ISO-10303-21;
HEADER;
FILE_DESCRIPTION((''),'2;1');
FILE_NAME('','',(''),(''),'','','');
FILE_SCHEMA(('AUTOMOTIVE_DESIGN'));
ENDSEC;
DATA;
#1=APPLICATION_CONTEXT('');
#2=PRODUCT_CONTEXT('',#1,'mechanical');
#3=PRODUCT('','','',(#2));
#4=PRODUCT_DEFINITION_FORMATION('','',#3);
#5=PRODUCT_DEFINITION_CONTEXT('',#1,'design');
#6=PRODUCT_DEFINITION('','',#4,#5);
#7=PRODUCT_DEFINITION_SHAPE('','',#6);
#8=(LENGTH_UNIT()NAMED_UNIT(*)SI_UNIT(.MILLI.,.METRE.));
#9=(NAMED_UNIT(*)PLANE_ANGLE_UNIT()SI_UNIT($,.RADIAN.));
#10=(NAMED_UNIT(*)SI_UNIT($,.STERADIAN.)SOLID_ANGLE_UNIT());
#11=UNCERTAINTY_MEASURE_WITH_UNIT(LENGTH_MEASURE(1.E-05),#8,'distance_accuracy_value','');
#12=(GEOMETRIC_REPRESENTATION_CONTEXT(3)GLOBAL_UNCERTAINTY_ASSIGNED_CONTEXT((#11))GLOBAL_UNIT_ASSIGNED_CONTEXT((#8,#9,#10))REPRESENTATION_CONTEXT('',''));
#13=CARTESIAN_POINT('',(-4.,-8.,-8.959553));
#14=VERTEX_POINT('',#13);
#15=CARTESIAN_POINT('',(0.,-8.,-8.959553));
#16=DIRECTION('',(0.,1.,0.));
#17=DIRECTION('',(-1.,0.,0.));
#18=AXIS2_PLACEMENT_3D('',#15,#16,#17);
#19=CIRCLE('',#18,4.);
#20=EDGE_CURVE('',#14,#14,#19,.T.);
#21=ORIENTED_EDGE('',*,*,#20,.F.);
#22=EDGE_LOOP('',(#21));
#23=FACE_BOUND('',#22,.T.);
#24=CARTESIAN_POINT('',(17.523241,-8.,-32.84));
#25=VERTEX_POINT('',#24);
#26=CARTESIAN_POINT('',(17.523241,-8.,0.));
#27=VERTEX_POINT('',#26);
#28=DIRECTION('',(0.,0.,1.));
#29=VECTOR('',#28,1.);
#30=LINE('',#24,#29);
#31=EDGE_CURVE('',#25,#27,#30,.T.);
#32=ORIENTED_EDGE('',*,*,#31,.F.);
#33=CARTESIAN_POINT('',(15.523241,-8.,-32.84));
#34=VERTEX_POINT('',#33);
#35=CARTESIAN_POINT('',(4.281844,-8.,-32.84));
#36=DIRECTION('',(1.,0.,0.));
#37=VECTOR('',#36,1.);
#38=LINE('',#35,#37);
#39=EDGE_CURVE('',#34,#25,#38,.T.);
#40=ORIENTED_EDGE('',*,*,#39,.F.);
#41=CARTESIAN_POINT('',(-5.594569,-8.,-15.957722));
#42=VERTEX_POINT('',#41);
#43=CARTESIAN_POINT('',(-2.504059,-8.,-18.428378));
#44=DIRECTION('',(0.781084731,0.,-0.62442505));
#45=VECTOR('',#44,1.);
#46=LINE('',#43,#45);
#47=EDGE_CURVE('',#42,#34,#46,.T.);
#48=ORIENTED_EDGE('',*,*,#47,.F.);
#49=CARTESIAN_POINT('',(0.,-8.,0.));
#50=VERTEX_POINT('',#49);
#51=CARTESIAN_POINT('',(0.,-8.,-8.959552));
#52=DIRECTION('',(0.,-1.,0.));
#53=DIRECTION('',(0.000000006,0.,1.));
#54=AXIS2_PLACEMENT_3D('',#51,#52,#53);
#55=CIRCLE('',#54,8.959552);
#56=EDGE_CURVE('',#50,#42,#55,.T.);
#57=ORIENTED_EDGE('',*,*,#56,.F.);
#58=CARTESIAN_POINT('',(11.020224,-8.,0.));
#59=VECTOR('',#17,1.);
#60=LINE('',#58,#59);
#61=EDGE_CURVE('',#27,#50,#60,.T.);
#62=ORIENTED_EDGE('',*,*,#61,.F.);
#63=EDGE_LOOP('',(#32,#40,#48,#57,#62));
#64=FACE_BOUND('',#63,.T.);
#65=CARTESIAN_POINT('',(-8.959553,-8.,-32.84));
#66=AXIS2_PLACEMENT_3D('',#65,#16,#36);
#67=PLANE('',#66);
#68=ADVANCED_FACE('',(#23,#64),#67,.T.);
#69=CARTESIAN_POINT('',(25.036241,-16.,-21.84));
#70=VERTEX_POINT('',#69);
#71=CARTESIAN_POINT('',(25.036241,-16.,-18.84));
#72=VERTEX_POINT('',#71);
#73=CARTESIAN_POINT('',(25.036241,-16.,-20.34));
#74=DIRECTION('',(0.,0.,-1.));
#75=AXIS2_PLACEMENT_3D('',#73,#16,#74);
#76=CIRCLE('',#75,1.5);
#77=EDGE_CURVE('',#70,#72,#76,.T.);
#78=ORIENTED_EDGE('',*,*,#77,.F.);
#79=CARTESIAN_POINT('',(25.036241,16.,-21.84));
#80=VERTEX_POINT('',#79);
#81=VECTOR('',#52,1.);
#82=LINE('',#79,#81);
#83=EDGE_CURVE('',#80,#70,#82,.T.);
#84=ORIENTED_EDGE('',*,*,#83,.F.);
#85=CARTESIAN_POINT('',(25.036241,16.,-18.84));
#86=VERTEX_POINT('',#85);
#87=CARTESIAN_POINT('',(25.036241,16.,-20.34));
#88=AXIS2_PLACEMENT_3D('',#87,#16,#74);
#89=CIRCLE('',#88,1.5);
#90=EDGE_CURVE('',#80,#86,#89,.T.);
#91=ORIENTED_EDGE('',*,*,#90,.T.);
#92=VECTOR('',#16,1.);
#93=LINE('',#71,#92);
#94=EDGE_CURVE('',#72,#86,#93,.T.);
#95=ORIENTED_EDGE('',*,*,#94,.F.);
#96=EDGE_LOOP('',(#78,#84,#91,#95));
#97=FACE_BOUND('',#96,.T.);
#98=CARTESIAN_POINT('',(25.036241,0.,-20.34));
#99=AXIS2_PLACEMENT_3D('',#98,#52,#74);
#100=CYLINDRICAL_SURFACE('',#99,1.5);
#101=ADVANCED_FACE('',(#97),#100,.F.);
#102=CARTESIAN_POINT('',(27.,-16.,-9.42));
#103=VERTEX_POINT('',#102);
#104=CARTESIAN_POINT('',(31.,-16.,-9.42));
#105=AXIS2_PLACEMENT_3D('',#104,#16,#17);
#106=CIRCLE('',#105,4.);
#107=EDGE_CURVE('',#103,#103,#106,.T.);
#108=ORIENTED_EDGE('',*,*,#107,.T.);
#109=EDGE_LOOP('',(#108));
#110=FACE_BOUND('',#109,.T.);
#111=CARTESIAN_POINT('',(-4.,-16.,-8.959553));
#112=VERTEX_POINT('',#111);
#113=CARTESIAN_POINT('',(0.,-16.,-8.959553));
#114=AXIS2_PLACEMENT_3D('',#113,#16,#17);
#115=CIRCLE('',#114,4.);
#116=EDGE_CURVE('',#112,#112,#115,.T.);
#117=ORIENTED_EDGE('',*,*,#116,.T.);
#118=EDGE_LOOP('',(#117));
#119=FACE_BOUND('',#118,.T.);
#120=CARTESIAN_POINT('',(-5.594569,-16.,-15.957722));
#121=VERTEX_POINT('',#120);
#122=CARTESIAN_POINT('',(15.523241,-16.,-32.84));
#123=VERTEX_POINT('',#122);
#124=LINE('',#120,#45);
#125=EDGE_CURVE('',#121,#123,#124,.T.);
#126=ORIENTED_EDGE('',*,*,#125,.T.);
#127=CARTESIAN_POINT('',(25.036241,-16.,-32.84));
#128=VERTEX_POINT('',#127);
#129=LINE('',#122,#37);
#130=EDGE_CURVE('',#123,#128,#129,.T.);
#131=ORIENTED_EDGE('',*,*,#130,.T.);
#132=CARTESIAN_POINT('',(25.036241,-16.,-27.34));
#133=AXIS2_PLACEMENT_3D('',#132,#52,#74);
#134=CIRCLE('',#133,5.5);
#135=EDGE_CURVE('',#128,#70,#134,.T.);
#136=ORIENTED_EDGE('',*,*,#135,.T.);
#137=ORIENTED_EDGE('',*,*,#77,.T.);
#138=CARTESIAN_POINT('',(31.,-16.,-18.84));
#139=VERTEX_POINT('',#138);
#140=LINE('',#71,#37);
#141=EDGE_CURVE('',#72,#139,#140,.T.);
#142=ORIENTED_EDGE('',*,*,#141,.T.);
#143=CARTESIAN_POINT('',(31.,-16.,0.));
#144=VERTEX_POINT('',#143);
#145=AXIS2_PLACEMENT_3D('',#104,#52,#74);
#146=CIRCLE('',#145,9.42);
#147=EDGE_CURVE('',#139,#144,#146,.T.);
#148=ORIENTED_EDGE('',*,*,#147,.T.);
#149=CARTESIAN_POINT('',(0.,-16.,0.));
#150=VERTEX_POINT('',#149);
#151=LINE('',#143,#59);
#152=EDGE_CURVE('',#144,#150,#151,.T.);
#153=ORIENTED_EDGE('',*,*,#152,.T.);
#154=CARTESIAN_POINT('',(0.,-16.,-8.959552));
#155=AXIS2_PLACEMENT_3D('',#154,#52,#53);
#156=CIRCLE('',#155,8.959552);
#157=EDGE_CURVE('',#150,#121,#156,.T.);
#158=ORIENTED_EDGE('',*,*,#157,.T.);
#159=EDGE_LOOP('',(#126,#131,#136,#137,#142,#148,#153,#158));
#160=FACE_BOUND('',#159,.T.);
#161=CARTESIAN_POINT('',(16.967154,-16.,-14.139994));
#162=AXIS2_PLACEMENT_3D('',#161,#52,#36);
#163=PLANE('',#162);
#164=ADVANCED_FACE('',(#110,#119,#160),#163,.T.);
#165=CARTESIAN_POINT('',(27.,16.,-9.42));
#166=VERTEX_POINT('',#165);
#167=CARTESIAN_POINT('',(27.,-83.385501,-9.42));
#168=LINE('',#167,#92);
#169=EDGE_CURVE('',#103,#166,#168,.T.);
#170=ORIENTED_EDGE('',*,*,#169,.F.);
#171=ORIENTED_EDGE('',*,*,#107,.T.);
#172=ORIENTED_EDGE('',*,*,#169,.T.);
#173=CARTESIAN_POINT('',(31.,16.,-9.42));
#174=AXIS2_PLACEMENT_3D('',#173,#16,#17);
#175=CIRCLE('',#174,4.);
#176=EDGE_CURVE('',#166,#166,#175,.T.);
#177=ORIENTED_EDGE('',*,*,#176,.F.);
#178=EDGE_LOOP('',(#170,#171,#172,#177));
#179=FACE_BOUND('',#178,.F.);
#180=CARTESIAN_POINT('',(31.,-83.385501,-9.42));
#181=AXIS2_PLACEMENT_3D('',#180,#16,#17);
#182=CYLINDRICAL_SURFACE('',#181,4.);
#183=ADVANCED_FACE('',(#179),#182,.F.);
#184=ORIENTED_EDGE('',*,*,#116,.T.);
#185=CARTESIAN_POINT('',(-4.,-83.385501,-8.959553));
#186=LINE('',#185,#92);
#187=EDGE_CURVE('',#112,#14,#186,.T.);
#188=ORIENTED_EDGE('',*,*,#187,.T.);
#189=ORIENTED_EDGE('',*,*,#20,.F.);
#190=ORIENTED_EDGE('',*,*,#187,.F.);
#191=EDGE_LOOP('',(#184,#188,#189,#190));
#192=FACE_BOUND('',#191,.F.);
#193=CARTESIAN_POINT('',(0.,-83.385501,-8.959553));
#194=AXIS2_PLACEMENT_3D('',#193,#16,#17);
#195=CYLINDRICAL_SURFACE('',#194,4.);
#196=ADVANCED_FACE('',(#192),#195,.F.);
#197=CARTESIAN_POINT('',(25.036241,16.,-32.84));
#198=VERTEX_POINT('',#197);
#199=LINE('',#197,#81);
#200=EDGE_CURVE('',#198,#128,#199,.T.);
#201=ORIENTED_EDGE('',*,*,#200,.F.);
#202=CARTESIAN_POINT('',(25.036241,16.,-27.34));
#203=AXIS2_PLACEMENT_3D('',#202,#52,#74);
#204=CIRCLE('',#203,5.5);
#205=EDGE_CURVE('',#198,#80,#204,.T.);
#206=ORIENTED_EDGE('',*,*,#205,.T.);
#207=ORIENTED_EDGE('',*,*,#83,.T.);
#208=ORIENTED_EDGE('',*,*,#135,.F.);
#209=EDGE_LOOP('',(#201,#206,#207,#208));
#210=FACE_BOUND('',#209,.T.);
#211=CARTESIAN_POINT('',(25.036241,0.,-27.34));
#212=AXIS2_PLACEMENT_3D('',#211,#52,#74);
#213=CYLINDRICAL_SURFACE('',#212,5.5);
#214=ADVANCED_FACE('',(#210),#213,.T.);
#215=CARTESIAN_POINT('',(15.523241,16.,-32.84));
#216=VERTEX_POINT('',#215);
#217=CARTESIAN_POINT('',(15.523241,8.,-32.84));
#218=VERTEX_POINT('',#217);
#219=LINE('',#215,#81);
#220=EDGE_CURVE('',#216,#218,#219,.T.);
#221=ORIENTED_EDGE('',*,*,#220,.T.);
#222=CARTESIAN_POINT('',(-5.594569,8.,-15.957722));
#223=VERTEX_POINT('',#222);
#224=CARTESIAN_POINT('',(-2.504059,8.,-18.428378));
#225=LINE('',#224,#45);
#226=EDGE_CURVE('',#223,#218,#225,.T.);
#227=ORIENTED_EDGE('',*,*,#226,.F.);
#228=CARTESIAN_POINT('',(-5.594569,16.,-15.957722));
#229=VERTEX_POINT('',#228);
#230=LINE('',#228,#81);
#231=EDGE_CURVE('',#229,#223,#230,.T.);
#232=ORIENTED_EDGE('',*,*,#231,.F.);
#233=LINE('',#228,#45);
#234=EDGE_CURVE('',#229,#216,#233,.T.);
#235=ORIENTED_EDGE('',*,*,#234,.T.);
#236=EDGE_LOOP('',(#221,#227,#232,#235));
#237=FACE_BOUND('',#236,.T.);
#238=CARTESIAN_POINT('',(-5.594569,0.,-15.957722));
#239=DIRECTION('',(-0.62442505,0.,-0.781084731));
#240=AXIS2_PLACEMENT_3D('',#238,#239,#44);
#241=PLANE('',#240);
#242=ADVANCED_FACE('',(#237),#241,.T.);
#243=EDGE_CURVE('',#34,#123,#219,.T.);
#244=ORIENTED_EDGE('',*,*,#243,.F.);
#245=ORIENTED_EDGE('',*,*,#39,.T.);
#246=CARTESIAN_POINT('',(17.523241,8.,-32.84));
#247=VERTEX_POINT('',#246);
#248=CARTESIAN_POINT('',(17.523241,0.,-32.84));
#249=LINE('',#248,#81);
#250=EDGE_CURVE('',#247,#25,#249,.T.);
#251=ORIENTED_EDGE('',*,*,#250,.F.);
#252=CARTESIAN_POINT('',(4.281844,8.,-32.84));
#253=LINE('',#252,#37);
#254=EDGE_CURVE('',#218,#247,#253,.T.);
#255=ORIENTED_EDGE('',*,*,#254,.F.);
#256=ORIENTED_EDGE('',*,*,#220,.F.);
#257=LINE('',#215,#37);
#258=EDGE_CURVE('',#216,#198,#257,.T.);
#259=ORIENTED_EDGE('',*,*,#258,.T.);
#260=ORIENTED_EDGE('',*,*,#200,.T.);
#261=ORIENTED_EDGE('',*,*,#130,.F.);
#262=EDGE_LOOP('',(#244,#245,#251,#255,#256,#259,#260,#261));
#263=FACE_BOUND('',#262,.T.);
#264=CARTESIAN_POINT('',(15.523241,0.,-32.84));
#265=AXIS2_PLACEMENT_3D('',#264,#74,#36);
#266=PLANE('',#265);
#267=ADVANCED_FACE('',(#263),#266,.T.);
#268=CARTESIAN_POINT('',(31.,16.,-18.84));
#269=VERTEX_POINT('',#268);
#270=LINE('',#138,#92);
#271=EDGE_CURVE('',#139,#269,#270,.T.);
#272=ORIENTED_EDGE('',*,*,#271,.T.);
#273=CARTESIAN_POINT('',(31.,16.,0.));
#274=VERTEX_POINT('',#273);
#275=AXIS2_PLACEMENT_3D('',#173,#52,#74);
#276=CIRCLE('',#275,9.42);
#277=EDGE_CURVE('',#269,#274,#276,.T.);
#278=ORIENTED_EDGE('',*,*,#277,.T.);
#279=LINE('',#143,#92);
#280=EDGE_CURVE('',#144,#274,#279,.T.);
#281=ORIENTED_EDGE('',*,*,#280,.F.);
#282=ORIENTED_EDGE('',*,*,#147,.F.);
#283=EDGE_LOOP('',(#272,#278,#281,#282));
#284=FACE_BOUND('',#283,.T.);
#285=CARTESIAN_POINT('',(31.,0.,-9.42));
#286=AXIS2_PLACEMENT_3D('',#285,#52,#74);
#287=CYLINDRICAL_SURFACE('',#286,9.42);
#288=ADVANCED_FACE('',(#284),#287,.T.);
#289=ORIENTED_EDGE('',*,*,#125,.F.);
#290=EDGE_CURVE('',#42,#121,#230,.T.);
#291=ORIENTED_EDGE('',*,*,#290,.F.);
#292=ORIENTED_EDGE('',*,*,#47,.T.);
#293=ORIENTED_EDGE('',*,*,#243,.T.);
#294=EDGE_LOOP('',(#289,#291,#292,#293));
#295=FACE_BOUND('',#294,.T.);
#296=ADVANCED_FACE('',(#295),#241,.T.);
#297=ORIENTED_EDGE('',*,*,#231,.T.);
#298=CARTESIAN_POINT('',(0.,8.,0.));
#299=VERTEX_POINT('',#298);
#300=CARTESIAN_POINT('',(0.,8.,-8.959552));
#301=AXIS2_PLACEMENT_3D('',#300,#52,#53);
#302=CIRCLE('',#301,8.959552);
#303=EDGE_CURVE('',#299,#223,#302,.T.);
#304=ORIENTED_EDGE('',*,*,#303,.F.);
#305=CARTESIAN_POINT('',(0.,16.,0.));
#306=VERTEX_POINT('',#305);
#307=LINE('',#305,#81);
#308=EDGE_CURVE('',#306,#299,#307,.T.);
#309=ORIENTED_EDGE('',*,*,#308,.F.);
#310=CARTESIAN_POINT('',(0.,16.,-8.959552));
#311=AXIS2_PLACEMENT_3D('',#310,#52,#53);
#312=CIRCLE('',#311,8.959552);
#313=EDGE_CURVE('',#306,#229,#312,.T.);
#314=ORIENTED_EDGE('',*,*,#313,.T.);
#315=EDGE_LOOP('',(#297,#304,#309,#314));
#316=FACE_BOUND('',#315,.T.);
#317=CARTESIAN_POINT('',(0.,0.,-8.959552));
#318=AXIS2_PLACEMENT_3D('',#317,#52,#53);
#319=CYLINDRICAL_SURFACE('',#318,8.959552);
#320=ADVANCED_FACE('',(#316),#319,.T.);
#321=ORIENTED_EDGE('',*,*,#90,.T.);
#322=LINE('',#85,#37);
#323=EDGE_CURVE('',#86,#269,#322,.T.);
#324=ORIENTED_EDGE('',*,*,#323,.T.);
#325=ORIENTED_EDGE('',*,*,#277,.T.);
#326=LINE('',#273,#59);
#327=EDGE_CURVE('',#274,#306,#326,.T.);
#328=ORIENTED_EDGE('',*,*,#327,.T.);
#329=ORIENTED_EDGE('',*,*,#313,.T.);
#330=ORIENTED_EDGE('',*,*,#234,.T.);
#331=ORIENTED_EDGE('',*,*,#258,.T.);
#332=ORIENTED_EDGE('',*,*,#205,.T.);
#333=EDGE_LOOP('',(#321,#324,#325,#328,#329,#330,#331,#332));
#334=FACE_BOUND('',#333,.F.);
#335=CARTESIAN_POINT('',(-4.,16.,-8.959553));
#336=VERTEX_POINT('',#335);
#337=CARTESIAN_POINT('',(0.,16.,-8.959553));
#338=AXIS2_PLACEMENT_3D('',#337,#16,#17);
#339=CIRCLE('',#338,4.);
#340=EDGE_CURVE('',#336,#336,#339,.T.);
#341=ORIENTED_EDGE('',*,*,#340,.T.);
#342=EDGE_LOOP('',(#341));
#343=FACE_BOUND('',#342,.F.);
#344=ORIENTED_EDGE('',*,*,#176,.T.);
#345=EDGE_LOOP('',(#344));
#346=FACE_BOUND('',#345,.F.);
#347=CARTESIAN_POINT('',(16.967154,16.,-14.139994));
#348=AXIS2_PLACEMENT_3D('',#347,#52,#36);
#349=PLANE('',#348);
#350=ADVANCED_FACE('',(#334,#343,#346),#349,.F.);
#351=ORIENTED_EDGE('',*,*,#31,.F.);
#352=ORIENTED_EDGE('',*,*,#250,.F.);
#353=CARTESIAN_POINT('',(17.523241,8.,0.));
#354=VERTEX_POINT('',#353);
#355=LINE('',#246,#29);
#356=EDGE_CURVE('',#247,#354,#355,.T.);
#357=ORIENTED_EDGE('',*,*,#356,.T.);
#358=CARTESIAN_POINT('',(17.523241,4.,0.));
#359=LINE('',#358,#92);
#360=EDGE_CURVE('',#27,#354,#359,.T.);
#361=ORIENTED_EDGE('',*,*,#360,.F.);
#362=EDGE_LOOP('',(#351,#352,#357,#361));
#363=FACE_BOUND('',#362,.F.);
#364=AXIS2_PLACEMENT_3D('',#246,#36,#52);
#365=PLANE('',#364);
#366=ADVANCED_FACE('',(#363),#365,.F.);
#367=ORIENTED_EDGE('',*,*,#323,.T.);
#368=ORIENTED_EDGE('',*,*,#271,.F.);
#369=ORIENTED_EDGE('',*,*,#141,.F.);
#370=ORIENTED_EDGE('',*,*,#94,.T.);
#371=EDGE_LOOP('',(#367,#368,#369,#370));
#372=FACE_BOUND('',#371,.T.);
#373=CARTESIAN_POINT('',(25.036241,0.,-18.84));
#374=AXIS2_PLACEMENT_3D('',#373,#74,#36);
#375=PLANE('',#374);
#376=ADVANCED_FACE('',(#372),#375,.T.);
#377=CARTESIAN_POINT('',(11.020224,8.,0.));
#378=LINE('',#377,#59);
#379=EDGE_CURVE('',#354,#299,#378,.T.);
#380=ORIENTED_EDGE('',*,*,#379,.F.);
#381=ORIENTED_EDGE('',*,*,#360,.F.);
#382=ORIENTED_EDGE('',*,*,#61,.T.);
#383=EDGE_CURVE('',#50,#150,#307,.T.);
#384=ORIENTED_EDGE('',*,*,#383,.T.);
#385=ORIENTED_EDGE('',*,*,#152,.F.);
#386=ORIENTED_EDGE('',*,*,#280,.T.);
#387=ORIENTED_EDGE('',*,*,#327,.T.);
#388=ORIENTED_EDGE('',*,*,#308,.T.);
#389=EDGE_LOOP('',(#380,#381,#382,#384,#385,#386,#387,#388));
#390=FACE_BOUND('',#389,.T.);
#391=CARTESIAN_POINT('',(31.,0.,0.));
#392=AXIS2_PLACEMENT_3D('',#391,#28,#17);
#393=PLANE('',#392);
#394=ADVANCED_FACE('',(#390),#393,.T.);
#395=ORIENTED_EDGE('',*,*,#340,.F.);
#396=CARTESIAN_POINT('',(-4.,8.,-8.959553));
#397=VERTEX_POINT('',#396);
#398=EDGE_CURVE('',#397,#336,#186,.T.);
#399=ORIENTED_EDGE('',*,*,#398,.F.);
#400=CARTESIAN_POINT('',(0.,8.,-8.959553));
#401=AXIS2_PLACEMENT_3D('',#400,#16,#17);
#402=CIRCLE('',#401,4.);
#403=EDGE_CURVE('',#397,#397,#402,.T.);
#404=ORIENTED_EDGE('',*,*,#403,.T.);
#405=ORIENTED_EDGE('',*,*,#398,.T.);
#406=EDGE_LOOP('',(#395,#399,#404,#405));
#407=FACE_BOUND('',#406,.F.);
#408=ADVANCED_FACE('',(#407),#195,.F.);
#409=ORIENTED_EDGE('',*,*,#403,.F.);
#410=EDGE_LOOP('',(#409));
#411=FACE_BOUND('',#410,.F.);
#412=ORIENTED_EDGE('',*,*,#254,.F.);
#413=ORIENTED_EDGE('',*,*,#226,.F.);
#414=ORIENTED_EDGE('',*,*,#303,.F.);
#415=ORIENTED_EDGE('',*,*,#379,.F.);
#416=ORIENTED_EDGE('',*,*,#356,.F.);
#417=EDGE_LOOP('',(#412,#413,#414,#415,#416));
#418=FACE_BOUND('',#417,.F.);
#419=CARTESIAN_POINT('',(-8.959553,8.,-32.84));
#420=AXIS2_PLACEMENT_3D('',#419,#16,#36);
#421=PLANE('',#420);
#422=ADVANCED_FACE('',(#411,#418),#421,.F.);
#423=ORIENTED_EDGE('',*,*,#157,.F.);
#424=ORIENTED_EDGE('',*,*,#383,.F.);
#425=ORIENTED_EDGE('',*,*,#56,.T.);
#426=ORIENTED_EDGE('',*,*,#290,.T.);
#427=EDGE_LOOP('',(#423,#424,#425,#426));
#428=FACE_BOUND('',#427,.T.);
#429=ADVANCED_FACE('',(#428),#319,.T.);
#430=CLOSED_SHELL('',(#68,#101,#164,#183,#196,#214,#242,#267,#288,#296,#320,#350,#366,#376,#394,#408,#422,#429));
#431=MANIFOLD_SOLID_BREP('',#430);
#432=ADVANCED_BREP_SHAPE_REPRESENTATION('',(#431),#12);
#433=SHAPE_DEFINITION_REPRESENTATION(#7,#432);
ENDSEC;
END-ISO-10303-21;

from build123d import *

# Parameters (mm, degrees)
F1_DEPTH = 16
F2_W     = 26.482794
F2_H     = 16
F3_DEPTH = 32.841
F5_D     = 8


with BuildPart() as f1:
    # F0 (on Front) → F1 (new body, symmetric)
    with BuildSketch(Plane.XZ):
        with BuildLine():
            Line((31, 0), (0, 0))
            ThreePointArc((0, 0), (-8.455, -5.99534), (-5.594569, -15.957722))
            Line((-5.594569, -15.957722), (15.523241, -32.84))
            Line((15.523241, -32.84), (25.036241, -32.84))
            ThreePointArc((25.036241, -32.84), (30.536241, -27.34), (25.036241, -21.84))
            ThreePointArc((25.036241, -21.84), (23.536241, -20.34), (25.036241, -18.84))
            Line((25.036241, -18.84), (31, -18.84))
            ThreePointArc((31, -18.84), (40.42, -9.42), (31, 0))
        make_face()
    extrude(amount=F1_DEPTH, both=True)

    # F2 (on face) → F3 (cut, through all)
    with BuildSketch(Plane(origin=(0, 0, -32.84), x_dir=(1, 0, 0), z_dir=(0, 0, -1))):
        with Locations((4.281844, 0)):
            Rectangle(F2_W, F2_H)
    extrude(amount=-F3_DEPTH, mode=Mode.SUBTRACT)

    # F5 (through all)
    with Locations(Plane.XZ.offset(16)):
        with Locations((0, -8.959553), (31, -9.42)):
            Hole(F5_D / 2)


solid = f1.part
